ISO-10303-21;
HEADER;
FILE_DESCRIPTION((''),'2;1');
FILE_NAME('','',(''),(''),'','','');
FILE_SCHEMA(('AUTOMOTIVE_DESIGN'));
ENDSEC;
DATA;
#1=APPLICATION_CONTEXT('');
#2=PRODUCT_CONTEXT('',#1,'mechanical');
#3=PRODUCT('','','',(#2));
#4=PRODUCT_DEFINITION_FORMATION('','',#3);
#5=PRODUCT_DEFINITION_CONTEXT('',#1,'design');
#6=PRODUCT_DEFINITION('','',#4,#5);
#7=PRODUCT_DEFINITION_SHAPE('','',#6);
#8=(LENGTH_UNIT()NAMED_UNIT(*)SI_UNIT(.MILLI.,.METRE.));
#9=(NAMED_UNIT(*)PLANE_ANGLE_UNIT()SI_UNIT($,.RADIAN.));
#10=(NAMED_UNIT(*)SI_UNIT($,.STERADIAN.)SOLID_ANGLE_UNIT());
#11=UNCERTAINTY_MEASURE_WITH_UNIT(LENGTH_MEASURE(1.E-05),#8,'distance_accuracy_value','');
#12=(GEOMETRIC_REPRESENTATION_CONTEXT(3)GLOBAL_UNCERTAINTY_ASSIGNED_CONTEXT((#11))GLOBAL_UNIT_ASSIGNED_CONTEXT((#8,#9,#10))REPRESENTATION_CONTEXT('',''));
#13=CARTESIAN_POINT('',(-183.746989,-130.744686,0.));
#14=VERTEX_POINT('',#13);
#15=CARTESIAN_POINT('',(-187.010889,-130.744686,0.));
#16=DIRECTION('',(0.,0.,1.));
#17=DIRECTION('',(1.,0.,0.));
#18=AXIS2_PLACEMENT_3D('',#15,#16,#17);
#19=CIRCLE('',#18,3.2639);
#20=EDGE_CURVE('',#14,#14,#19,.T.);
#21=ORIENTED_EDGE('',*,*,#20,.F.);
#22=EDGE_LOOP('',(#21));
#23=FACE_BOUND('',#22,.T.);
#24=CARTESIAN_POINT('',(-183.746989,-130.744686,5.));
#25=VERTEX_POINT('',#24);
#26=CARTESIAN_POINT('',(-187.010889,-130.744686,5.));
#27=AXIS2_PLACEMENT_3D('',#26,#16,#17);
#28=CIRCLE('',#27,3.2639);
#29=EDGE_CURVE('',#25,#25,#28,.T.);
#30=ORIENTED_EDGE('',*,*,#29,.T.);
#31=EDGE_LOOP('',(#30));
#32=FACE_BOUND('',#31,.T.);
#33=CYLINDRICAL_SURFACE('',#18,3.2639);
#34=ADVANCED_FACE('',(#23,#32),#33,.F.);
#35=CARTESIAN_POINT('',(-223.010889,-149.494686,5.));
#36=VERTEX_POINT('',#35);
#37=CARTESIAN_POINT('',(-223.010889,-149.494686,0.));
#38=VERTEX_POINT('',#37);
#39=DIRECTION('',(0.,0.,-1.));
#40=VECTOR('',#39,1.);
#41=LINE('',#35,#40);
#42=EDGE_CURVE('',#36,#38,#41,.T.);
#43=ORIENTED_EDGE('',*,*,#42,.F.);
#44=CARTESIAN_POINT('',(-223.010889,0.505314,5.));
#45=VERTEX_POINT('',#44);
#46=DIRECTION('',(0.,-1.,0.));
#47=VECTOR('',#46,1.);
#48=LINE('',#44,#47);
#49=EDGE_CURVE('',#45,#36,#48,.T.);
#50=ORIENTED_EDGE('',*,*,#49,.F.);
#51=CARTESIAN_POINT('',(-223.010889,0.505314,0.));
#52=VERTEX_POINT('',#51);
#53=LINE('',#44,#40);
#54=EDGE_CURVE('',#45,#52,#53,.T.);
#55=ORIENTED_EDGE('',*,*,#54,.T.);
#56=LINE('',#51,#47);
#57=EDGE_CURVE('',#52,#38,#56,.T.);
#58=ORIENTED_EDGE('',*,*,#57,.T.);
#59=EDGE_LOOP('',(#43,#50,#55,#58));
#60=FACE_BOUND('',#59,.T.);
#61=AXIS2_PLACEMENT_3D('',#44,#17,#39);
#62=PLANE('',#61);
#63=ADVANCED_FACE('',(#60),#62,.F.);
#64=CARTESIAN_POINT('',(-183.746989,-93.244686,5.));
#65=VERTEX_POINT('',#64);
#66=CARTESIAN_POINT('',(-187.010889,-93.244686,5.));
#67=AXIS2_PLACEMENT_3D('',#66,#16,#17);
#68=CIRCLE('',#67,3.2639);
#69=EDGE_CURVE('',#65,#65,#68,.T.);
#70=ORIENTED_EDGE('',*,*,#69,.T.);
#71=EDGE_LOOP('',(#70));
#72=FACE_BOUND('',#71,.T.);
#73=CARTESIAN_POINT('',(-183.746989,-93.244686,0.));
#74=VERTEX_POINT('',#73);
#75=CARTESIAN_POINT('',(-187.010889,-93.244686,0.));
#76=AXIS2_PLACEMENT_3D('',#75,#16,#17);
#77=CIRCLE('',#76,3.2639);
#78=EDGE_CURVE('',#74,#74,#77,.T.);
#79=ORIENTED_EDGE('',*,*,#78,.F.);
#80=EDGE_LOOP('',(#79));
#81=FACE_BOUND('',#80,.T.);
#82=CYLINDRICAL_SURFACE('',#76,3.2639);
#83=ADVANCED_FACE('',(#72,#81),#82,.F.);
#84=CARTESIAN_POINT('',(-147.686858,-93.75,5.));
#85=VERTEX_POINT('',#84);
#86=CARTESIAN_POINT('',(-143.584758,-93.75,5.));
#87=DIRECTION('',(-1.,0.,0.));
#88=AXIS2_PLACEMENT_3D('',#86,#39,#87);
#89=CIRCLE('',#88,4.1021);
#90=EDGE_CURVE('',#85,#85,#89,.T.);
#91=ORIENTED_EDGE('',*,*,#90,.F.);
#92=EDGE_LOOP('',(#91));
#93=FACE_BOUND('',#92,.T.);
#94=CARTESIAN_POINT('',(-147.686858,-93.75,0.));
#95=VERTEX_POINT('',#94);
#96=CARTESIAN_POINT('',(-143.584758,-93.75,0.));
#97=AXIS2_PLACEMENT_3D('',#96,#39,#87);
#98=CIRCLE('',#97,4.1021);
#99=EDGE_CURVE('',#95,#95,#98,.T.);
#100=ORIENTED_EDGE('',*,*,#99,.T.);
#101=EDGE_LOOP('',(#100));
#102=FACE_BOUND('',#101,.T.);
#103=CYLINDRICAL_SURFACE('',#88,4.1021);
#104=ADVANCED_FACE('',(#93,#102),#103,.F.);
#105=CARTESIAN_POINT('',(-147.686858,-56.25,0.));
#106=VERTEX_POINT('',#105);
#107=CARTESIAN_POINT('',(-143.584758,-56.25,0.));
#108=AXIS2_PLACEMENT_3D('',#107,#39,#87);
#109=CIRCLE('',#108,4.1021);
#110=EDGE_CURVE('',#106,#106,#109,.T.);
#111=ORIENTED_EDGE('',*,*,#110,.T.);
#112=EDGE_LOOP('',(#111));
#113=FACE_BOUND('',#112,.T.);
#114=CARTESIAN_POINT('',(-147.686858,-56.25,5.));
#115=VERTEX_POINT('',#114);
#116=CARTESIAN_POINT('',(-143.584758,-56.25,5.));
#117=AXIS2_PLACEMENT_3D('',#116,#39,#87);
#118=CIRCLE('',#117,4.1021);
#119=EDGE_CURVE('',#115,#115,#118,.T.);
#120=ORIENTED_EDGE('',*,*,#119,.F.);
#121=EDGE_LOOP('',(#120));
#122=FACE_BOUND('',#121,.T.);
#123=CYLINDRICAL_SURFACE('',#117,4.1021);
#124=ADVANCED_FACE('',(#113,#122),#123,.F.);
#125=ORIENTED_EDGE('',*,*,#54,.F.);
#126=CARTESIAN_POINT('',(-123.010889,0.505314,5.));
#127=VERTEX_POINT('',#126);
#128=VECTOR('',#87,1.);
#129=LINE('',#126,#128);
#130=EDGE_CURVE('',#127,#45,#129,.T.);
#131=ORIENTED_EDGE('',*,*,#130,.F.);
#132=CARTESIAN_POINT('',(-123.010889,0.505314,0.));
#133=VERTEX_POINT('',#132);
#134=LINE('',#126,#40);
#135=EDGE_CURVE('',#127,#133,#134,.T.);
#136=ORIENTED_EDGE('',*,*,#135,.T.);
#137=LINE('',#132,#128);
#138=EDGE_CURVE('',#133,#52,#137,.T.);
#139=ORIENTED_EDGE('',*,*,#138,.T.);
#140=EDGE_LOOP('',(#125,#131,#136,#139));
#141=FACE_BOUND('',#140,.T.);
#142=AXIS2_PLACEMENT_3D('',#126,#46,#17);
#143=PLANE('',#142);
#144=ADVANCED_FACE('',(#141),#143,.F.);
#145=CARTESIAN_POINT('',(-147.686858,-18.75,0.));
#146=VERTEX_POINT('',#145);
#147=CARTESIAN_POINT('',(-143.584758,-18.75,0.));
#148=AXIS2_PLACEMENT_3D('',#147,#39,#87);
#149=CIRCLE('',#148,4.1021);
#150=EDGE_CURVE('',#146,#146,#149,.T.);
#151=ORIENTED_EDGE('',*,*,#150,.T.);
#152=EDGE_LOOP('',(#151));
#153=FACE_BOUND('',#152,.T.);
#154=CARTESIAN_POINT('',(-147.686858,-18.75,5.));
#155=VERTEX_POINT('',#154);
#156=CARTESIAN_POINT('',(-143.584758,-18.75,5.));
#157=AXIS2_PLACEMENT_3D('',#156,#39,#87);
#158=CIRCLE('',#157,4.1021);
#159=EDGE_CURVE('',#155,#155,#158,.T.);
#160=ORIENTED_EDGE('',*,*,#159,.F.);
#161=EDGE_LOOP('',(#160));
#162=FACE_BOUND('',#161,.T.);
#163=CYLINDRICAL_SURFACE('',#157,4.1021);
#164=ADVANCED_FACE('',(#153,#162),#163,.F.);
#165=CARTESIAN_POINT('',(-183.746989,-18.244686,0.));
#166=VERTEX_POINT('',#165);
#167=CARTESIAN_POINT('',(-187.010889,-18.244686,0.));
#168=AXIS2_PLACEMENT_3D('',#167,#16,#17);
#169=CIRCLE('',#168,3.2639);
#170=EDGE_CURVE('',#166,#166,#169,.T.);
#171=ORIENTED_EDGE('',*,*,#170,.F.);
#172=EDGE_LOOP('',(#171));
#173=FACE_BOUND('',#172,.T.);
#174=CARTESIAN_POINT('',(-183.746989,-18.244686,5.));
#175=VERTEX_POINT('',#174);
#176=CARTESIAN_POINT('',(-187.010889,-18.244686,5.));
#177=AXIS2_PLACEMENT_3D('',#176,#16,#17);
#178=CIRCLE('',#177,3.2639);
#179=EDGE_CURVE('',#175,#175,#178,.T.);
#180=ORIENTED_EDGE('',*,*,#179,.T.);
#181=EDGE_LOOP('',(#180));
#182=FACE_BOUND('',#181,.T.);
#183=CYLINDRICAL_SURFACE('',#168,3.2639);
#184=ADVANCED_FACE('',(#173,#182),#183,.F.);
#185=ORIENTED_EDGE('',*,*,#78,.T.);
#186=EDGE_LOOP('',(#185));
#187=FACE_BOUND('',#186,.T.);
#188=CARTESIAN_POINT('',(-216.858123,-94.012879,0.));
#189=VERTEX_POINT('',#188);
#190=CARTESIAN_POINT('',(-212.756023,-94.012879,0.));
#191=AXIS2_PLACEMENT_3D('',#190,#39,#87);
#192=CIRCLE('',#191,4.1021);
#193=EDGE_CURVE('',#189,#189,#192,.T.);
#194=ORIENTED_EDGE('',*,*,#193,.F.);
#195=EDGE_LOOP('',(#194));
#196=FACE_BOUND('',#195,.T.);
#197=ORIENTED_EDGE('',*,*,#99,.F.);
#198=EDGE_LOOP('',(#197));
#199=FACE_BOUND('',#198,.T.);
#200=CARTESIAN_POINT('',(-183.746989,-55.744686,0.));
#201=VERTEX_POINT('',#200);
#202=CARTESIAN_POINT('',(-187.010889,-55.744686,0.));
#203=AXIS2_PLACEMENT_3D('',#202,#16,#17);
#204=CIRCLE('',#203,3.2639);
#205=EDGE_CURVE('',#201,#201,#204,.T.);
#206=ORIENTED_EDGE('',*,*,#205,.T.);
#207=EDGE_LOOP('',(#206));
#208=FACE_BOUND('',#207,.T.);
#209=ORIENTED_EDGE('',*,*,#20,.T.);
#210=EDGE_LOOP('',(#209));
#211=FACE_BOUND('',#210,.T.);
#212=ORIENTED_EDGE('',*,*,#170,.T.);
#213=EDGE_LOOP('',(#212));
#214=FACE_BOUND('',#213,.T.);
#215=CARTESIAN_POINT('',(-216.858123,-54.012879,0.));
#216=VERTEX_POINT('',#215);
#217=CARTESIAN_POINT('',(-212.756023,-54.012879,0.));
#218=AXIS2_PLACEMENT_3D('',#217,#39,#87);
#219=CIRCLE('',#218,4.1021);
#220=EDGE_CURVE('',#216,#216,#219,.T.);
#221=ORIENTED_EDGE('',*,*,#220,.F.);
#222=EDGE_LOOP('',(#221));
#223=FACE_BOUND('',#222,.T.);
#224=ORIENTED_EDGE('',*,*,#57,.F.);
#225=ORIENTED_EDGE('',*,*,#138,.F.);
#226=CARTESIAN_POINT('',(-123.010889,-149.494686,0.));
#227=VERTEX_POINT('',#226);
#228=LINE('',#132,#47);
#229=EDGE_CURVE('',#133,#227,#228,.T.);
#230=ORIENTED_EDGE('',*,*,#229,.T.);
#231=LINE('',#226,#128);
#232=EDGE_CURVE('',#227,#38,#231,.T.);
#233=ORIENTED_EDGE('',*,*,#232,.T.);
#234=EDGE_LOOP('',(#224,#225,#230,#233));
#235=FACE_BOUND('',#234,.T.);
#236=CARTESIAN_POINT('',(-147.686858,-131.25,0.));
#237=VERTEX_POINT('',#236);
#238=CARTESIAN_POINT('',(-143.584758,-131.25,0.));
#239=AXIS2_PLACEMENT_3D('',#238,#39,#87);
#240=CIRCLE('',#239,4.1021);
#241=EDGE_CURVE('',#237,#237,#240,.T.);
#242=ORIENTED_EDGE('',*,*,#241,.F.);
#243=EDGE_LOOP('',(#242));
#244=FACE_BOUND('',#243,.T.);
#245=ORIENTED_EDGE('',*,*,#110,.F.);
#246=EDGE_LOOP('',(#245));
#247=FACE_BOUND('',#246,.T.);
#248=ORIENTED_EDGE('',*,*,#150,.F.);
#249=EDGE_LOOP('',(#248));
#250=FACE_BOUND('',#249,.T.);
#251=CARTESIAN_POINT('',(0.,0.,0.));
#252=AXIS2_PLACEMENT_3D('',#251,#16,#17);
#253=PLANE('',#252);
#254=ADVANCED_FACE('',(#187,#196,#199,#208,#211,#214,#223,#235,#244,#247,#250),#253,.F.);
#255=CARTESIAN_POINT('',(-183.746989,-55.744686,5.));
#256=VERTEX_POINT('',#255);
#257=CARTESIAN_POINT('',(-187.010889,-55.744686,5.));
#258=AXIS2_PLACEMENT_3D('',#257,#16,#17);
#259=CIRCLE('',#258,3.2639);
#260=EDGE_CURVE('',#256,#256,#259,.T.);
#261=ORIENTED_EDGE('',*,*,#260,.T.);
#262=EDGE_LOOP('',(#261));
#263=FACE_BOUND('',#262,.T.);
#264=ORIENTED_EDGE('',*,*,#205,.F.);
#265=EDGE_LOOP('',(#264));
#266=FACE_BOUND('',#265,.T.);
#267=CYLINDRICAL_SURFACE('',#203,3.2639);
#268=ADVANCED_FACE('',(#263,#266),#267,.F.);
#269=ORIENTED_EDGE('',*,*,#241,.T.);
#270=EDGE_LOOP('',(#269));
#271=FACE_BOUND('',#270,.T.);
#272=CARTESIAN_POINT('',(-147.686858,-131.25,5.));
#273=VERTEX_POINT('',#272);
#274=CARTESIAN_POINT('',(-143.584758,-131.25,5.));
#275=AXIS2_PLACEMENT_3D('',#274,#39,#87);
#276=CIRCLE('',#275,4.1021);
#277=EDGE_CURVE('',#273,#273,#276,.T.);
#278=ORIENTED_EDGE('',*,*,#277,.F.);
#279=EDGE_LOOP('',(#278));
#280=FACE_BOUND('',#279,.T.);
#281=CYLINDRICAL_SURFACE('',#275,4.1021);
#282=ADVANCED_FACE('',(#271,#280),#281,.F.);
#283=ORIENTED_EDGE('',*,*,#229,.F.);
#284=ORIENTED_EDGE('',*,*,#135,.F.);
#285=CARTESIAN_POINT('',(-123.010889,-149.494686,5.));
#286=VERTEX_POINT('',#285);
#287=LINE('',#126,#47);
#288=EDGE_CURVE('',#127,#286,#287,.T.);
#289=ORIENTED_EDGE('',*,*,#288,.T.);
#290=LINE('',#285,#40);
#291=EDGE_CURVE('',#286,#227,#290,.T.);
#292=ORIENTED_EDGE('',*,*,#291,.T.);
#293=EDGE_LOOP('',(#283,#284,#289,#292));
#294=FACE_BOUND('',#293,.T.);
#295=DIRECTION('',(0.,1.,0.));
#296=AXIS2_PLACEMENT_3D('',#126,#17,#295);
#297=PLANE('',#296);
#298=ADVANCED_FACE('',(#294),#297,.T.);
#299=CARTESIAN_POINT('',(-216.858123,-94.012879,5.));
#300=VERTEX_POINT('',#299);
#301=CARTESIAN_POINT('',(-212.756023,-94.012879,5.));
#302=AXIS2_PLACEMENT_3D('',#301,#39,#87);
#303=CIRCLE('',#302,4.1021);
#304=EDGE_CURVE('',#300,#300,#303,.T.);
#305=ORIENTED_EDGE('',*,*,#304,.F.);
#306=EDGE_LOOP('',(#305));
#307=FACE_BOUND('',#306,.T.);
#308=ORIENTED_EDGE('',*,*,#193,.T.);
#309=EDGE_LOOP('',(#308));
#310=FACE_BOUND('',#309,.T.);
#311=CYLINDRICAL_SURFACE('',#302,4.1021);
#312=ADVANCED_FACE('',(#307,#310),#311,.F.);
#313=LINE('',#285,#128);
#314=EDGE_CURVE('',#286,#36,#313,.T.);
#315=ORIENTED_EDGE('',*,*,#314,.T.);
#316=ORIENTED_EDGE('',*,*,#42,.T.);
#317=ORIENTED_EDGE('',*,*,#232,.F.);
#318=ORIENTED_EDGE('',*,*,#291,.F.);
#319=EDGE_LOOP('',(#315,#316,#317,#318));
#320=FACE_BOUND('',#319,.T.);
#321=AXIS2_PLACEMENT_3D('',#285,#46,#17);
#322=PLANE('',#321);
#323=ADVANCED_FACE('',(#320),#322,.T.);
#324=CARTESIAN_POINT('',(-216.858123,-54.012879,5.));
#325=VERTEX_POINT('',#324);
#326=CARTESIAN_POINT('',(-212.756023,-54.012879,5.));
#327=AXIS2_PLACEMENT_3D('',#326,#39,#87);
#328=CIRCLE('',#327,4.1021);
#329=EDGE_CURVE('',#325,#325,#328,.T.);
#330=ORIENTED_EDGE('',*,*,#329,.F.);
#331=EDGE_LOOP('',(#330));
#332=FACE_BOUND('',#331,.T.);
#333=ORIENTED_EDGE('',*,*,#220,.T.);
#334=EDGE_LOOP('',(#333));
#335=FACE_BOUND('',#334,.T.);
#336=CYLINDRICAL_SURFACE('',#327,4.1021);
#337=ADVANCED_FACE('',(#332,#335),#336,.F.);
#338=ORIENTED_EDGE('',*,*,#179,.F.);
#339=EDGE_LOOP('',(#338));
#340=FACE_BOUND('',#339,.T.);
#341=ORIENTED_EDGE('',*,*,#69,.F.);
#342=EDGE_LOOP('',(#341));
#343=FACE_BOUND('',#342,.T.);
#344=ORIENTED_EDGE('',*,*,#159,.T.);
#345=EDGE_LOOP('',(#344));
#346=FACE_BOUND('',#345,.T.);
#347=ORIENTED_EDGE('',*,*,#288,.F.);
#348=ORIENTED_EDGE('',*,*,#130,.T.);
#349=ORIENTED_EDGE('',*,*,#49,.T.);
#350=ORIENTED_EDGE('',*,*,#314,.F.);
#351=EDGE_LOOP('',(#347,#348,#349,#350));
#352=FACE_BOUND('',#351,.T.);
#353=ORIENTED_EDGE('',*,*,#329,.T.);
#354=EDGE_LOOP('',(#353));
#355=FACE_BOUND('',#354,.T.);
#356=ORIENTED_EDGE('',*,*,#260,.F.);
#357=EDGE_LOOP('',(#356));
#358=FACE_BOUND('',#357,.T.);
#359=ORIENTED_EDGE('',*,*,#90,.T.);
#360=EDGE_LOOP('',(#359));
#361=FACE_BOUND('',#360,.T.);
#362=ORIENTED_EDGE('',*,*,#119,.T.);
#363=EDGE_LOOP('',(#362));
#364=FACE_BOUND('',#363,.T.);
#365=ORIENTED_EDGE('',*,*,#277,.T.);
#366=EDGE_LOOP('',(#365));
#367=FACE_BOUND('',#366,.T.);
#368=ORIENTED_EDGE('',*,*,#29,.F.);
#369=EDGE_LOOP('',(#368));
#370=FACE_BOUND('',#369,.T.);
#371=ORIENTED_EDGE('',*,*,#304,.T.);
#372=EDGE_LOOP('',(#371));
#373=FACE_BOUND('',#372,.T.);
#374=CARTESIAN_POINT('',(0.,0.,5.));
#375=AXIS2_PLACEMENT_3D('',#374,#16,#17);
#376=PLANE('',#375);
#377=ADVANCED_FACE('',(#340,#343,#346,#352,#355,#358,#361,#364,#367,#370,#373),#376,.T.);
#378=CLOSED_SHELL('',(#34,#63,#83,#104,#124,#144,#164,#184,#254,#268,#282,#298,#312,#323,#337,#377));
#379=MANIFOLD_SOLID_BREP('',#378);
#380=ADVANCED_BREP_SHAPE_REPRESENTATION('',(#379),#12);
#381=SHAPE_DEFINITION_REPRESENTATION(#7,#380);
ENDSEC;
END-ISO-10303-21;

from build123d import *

# Parameters (mm, degrees)
SKETCH2_W           = 100
SKETCH2_H           = 150
BOSS_EXTRUDE1_DEPTH = 5
SKETCH3_R           = 4.1021
CUT_EXTRUDE1_DEPTH  = 5
SKETCH6_R           = 3.2639
CUT_EXTRUDE2_DEPTH  = 269.528430204


with BuildPart() as part:
    # Sketch2 → Boss-Extrude1 (new body)
    with BuildSketch(Plane.XY):
        with Locations((-173.010889244, -74.49468588)):
            Rectangle(SKETCH2_W, SKETCH2_H)
    extrude(amount=BOSS_EXTRUDE1_DEPTH)

    # Sketch3 → Cut-Extrude1 (cut)
    with BuildSketch(Plane(origin=(0, 0, 0), x_dir=(-1, 0, 0), z_dir=(0, 0, -1))):
        with Locations((212.756022811, -54.012878845)):
            Circle(SKETCH3_R)
        with Locations((212.756022811, -94.012878845)):
            Circle(SKETCH3_R)
        with Locations((143.584758496, -18.75)):
            Circle(SKETCH3_R)
        with Locations((143.584758496, -56.25)):
            Circle(SKETCH3_R)
        with Locations((143.584758496, -93.75)):
            Circle(SKETCH3_R)
        with Locations((143.584758496, -131.25)):
            Circle(SKETCH3_R)
    extrude(amount=-CUT_EXTRUDE1_DEPTH, mode=Mode.SUBTRACT)

    # Sketch6 → Cut-Extrude2 (cut, through all)
    with BuildSketch(Plane.XY.offset(5)):
        with Locations((-187.010889244, -18.24468588)):
            Circle(SKETCH6_R)
        with Locations((-187.010889244, -55.74468588)):
            Circle(SKETCH6_R)
        with Locations((-187.010889244, -93.24468588)):
            Circle(SKETCH6_R)
        with Locations((-187.010889244, -130.74468588)):
            Circle(SKETCH6_R)
    extrude(amount=-CUT_EXTRUDE2_DEPTH, mode=Mode.SUBTRACT)


solid = part.part
